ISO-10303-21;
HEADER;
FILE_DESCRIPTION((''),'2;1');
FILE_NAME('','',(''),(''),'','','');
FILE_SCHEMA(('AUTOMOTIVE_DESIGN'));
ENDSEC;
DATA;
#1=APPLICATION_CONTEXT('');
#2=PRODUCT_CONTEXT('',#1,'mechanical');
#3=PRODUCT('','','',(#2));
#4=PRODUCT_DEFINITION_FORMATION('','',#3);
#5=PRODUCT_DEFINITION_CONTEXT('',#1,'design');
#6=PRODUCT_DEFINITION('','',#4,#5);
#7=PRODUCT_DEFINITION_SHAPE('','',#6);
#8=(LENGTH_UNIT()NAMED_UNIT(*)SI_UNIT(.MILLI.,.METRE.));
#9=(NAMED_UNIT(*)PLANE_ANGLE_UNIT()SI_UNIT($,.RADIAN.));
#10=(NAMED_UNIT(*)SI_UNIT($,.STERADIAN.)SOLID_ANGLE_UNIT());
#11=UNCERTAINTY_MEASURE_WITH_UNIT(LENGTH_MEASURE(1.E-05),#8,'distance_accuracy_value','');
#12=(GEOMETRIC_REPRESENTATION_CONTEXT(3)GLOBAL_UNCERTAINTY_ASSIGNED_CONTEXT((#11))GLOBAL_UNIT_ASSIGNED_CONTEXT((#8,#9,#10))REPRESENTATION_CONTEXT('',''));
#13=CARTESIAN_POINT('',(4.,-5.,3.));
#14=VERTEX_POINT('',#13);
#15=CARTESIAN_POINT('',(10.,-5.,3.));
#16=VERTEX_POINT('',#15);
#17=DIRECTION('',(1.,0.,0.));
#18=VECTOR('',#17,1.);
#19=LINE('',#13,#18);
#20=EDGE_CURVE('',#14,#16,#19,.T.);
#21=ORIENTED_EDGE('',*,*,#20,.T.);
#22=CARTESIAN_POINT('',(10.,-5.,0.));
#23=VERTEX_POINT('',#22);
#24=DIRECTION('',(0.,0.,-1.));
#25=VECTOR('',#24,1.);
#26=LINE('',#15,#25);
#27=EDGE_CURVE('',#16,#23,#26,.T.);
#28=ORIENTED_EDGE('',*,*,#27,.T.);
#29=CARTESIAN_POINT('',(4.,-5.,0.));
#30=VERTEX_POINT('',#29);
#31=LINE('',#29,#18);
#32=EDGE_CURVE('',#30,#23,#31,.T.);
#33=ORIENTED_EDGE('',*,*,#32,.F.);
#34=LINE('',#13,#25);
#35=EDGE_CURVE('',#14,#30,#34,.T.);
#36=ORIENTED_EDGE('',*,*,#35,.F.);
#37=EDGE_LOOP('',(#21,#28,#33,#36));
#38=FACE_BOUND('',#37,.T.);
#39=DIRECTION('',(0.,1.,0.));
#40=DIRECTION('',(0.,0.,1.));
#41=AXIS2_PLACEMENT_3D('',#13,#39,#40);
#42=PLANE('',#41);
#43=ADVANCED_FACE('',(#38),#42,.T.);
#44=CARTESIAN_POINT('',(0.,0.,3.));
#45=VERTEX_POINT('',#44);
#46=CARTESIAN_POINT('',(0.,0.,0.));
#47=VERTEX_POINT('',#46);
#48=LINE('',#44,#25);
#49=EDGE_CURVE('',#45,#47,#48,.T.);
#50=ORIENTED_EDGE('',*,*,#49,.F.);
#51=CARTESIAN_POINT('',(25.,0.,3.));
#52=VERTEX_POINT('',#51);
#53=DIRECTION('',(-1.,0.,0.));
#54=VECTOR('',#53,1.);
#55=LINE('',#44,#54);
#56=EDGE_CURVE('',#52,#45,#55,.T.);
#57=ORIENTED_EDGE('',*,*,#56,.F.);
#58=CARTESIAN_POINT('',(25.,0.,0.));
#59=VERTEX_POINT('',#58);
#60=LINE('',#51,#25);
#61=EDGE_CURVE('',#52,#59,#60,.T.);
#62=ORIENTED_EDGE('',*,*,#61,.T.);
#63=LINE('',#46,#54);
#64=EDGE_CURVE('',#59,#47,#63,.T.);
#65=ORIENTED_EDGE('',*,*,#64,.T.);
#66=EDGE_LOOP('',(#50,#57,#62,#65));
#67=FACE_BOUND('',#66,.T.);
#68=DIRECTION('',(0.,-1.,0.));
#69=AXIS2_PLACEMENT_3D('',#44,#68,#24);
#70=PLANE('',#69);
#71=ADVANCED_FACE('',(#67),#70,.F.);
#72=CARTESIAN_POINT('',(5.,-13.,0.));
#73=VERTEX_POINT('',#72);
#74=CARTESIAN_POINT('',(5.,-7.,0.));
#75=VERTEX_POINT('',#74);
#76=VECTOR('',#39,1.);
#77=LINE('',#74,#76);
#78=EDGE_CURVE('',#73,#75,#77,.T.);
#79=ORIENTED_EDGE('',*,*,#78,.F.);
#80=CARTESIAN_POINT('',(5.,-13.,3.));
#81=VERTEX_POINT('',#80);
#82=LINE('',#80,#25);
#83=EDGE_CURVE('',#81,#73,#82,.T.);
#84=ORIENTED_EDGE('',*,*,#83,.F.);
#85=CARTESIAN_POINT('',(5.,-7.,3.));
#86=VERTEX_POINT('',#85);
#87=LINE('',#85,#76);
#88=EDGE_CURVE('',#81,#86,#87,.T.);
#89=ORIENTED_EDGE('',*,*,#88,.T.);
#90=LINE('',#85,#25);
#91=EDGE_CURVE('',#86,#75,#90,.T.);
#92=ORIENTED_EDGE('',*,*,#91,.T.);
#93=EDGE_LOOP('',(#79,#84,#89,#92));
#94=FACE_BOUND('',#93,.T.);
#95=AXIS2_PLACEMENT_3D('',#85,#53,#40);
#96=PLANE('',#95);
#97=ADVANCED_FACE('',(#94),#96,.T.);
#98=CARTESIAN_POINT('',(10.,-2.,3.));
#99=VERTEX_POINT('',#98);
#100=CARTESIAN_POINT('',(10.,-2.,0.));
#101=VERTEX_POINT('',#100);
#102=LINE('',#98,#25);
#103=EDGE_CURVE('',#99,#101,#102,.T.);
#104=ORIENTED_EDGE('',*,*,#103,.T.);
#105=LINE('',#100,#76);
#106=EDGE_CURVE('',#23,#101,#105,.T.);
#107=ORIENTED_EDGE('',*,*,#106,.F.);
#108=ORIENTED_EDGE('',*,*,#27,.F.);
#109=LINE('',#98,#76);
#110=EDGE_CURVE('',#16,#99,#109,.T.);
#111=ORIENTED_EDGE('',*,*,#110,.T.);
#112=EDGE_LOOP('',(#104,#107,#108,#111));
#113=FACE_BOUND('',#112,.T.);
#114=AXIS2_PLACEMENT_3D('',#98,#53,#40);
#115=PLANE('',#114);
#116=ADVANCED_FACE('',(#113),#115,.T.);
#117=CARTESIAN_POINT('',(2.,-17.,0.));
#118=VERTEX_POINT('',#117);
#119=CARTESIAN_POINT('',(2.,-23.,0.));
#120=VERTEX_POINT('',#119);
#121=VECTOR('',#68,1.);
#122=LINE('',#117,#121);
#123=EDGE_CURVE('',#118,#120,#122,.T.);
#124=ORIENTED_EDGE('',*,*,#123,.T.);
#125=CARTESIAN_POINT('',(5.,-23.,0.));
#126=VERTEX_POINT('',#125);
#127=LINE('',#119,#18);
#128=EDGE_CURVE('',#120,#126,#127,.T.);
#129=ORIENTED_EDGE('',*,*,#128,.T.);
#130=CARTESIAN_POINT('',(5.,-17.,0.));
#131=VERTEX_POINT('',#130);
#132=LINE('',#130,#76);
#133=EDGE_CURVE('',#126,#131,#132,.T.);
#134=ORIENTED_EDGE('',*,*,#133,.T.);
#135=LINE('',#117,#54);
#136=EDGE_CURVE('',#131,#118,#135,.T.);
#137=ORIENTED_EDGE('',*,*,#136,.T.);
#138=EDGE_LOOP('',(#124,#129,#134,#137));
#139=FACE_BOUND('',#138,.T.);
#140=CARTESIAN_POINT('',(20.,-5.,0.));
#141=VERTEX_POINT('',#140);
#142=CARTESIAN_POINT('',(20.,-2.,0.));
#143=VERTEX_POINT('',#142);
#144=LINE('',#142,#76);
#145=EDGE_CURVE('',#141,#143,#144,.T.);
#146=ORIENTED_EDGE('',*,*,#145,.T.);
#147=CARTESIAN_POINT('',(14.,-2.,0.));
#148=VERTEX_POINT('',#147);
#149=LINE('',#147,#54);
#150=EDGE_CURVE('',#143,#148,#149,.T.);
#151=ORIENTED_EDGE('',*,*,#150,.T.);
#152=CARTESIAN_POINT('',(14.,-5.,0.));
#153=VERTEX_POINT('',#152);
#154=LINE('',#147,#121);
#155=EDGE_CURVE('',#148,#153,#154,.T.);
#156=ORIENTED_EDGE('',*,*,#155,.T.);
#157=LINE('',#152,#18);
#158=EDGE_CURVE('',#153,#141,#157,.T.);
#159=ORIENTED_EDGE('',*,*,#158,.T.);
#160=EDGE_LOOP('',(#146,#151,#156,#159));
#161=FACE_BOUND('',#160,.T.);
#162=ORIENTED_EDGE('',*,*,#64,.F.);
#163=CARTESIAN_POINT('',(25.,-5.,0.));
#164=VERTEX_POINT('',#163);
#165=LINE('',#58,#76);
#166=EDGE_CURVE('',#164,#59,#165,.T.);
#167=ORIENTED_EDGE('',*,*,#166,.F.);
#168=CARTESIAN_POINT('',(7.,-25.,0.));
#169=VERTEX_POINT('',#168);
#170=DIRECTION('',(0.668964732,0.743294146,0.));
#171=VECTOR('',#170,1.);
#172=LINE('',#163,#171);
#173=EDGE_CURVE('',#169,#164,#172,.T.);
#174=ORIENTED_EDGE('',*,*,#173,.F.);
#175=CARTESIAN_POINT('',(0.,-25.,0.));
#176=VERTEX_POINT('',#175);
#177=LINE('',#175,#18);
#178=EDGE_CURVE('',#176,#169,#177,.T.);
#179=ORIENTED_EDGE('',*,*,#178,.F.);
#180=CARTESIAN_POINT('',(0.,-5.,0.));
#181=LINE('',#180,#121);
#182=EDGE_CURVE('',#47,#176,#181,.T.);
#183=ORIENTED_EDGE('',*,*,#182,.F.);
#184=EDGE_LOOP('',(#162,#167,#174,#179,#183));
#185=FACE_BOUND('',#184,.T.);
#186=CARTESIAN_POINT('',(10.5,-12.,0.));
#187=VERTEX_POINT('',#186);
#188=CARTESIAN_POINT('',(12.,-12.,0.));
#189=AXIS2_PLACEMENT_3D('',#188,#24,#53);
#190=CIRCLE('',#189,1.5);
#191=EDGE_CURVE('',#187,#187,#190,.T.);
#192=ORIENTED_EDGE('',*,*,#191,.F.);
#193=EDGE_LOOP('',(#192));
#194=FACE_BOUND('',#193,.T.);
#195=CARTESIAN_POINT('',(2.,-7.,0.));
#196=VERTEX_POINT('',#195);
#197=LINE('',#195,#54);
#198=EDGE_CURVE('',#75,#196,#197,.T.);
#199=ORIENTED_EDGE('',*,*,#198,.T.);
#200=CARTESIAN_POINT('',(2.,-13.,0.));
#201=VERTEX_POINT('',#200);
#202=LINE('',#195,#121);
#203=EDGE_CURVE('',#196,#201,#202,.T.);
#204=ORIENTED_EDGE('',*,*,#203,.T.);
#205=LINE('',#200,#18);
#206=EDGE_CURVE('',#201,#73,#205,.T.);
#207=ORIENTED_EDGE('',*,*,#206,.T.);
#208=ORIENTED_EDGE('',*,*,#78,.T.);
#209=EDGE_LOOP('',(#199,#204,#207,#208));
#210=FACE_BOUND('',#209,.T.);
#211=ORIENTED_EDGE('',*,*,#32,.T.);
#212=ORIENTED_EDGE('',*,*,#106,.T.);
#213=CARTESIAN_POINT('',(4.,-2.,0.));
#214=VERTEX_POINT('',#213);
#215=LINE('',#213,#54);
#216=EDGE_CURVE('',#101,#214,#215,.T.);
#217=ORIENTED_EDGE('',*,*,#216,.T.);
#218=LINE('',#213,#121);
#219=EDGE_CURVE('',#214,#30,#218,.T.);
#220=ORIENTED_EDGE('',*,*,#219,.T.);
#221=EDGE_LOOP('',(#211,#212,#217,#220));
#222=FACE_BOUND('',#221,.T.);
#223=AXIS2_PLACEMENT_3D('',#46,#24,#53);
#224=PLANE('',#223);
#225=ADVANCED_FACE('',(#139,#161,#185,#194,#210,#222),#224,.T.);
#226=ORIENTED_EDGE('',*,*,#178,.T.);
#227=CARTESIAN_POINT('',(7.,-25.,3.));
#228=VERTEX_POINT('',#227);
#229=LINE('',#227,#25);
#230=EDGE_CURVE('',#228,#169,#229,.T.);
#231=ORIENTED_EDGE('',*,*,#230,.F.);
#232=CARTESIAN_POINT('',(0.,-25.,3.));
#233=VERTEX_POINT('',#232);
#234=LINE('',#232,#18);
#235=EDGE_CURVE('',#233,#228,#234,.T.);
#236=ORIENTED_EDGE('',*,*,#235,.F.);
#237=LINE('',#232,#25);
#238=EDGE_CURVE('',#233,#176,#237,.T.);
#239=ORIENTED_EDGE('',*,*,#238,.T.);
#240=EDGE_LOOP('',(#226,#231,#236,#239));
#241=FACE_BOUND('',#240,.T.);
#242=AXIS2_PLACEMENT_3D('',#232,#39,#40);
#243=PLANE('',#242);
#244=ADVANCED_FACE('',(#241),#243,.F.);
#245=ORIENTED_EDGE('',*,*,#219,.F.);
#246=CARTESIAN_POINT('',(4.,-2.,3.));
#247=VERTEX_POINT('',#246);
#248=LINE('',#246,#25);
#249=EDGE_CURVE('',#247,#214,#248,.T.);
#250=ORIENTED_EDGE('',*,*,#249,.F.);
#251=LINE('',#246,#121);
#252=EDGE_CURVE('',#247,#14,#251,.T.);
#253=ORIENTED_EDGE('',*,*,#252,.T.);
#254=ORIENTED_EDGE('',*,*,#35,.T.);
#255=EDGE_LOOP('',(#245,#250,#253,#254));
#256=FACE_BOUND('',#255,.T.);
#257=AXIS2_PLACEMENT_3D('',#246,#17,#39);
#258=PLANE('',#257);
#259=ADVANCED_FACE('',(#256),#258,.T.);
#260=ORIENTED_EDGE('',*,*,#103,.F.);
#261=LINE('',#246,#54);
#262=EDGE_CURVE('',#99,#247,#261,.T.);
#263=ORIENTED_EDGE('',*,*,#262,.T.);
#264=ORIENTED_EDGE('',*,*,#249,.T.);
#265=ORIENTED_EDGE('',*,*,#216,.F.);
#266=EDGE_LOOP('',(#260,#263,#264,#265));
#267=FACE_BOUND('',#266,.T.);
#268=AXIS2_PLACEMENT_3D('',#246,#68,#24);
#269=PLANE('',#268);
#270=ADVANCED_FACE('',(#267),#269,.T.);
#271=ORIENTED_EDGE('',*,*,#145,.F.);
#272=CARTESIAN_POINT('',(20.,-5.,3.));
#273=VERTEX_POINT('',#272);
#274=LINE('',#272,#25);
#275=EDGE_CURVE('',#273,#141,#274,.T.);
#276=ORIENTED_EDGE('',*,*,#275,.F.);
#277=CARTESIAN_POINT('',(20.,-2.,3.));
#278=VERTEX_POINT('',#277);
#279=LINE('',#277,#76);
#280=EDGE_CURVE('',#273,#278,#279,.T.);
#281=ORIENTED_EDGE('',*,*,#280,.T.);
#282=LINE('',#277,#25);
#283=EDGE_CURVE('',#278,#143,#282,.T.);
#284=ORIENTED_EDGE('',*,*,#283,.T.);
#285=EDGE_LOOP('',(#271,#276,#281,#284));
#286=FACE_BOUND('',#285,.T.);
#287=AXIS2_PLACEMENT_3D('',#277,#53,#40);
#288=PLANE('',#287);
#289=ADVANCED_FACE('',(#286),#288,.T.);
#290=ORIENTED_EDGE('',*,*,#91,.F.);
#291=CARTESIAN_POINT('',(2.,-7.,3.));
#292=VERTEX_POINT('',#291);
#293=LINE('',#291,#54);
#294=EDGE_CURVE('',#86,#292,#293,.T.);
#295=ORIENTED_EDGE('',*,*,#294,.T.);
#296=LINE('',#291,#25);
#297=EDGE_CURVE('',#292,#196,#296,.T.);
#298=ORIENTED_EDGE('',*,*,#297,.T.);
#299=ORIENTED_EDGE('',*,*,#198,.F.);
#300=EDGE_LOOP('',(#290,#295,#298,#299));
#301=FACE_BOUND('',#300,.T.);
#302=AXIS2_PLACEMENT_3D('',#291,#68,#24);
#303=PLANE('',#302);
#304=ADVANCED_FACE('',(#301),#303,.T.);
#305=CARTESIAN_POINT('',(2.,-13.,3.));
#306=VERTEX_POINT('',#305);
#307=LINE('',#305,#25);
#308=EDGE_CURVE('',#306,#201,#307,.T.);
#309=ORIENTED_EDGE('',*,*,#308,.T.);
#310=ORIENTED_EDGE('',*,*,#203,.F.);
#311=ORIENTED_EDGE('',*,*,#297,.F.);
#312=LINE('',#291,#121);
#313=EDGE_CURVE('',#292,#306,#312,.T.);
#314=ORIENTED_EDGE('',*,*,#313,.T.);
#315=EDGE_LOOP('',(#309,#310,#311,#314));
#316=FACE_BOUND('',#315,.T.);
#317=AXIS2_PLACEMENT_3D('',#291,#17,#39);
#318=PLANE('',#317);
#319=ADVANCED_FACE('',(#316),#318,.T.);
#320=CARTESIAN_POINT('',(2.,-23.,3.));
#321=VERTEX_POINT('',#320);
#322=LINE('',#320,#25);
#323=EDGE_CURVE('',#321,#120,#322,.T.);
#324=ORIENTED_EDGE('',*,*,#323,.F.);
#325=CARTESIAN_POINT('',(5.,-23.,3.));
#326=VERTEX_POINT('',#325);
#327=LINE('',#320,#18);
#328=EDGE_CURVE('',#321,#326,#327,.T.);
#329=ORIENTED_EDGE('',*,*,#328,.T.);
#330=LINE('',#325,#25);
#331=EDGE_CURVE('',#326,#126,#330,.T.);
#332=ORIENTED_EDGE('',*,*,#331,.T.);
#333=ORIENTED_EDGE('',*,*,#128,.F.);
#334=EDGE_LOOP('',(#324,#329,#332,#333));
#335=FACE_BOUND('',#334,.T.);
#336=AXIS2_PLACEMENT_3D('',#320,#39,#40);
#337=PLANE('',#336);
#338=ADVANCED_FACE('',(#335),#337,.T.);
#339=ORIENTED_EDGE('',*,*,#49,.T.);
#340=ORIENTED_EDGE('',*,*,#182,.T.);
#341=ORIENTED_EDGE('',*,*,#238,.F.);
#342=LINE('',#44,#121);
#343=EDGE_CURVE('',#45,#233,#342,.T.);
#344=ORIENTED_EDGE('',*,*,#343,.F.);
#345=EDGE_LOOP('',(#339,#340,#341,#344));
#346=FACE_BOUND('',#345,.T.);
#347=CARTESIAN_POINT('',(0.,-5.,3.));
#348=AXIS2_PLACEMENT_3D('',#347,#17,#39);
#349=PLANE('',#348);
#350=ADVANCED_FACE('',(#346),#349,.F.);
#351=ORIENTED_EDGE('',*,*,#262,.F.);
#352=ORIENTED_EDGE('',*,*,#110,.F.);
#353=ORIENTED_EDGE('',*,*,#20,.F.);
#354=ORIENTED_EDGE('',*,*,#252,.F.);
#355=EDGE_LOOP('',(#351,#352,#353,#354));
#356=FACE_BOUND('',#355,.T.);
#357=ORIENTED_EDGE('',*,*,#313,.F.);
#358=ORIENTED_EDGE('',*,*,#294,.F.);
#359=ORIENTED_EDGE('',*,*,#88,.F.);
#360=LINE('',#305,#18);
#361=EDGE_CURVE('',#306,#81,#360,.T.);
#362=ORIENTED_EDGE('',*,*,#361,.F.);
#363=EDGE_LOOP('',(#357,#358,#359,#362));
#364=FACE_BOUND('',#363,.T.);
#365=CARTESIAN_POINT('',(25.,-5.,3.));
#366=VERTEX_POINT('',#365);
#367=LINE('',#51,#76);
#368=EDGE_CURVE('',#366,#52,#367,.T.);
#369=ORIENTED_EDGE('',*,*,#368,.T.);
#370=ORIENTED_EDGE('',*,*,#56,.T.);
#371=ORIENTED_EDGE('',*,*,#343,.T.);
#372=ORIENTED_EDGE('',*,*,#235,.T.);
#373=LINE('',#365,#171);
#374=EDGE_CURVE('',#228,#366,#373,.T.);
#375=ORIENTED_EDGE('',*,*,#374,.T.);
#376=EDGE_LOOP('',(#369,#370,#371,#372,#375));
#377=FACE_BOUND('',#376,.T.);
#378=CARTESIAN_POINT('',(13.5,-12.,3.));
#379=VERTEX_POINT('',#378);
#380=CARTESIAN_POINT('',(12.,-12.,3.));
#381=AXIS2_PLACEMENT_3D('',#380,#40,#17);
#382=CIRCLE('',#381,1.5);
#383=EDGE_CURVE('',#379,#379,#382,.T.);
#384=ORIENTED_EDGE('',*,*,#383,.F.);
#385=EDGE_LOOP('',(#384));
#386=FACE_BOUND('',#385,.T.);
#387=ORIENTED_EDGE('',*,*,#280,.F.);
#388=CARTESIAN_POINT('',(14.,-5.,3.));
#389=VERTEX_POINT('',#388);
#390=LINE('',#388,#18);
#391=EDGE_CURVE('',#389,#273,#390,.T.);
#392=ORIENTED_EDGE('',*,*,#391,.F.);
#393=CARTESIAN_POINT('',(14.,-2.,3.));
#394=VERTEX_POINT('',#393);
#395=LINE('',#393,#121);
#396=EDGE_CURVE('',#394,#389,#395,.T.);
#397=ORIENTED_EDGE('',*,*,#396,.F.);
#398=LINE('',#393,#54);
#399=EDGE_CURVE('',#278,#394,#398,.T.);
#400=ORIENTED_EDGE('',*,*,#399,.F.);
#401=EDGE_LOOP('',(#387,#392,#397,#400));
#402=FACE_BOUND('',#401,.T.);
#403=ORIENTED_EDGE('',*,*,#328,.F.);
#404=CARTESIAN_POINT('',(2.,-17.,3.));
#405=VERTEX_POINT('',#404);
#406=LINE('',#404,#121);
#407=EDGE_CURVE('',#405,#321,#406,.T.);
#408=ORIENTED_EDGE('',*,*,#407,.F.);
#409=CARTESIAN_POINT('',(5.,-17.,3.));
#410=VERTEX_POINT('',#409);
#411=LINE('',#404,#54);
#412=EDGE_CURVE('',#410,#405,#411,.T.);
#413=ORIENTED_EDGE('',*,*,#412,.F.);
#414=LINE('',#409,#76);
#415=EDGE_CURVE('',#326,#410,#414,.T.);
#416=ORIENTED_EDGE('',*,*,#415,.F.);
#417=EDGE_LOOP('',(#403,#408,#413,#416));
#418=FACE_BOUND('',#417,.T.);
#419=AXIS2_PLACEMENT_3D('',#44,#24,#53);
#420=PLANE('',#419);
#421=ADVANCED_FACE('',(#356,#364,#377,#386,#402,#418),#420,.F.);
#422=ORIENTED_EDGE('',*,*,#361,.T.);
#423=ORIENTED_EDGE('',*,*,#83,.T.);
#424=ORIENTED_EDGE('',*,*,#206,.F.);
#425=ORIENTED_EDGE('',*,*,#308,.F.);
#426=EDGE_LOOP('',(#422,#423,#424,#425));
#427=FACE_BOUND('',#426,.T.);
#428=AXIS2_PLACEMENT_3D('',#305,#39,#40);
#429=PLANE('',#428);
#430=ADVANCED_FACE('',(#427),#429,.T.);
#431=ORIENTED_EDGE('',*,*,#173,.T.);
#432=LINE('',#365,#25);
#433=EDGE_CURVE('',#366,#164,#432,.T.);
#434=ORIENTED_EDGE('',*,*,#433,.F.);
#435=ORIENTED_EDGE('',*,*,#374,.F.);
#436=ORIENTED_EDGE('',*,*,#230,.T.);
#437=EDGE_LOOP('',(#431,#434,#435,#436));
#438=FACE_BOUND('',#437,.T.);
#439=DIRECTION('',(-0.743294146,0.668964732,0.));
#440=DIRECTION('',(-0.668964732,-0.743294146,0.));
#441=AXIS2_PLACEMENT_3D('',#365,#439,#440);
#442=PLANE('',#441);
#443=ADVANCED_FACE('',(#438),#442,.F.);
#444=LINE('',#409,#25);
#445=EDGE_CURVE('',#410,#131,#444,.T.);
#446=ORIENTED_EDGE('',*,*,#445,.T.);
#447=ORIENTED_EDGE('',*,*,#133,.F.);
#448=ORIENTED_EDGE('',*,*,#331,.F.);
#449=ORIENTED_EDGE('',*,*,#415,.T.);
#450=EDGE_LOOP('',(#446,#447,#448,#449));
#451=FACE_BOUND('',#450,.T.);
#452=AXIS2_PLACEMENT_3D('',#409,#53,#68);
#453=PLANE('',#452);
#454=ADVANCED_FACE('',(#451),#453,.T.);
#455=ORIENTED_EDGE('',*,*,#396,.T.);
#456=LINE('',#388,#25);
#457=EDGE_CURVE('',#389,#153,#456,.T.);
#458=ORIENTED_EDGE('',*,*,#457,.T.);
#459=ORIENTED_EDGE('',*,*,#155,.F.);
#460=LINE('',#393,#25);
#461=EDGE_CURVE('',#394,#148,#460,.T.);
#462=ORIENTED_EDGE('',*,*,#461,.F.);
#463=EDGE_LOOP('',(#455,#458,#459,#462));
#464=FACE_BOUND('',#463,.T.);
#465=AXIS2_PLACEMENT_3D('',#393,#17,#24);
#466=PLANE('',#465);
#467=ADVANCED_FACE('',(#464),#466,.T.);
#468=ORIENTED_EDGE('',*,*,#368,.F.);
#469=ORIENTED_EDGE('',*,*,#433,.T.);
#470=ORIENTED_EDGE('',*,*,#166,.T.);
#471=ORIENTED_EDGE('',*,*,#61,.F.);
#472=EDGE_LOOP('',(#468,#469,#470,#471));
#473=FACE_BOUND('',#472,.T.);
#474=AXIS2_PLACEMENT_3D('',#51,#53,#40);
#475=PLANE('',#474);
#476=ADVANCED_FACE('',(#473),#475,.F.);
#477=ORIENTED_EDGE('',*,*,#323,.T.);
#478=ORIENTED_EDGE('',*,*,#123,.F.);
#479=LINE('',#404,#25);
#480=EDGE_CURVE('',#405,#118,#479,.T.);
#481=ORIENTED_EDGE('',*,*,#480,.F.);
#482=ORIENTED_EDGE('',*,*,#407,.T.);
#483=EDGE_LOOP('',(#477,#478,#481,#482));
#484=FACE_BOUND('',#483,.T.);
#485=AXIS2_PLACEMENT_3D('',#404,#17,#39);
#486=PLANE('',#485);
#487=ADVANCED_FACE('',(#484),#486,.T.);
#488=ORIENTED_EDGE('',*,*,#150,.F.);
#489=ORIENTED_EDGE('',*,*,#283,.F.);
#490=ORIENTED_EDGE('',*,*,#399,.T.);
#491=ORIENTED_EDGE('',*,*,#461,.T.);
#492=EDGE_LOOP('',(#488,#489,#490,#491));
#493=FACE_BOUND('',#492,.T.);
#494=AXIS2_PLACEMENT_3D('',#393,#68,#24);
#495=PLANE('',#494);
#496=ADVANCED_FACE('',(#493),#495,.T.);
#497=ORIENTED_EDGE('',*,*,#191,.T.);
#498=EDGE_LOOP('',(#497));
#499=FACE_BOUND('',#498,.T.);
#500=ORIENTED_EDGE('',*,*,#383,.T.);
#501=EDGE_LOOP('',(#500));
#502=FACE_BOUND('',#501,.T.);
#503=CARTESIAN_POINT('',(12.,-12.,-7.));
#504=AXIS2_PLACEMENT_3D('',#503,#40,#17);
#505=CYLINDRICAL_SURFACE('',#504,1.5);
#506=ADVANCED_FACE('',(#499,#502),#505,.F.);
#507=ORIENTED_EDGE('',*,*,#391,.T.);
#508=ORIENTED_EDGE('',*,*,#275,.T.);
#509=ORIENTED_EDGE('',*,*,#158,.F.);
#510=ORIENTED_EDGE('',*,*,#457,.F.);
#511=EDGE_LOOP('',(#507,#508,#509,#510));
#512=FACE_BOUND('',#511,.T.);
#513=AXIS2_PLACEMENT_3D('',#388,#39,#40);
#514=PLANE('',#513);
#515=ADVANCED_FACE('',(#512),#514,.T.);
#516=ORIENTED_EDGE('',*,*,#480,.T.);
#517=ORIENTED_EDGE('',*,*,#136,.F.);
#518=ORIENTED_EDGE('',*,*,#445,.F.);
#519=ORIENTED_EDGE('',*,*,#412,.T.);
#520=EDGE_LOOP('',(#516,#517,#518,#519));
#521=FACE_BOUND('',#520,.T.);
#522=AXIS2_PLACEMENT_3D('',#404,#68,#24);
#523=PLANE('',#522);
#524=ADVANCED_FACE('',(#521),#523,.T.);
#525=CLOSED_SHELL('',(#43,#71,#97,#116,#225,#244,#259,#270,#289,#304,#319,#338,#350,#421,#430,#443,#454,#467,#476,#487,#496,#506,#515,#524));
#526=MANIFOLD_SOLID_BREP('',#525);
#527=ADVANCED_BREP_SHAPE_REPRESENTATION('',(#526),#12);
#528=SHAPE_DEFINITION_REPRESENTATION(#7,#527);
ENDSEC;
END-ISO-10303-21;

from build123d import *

# Parameters (mm, degrees)
SKETCH_1_W          = 3
SKETCH_1_H          = 6
SKETCH_1_W_2        = 6
SKETCH_1_H_2        = 3
EXTRUDE_1_DEPTH     = 3
SKETCH_2_R          = 1.5
CUT_EXTRUDE_1_DEPTH = 10


with BuildPart() as part:
    # 草图1 → 凸台-拉伸1 (new body)
    with BuildSketch(Plane.XY):
        Polygon((0, 0), (0, -2), (0, -5), (0, -25), (7, -25), (25, -5), (25, 0), align=None)
        with Locations((3.5, -10)):
            Rectangle(SKETCH_1_W, SKETCH_1_H, mode=Mode.SUBTRACT)
        with Locations((3.5, -20)):
            Rectangle(SKETCH_1_W, SKETCH_1_H, mode=Mode.SUBTRACT)
        with Locations((17, -3.5)):
            Rectangle(SKETCH_1_W_2, SKETCH_1_H_2, mode=Mode.SUBTRACT)
        with Locations((7, -3.5)):
            Rectangle(SKETCH_1_W_2, SKETCH_1_H_2, mode=Mode.SUBTRACT)
    extrude(amount=EXTRUDE_1_DEPTH)

    # 草图2 → 切除-拉伸1 (cut)
    with BuildSketch(Plane.XY.offset(3)):
        with Locations((12, -12)):
            Circle(SKETCH_2_R)
    extrude(amount=-CUT_EXTRUDE_1_DEPTH, mode=Mode.SUBTRACT)


solid = part.part
